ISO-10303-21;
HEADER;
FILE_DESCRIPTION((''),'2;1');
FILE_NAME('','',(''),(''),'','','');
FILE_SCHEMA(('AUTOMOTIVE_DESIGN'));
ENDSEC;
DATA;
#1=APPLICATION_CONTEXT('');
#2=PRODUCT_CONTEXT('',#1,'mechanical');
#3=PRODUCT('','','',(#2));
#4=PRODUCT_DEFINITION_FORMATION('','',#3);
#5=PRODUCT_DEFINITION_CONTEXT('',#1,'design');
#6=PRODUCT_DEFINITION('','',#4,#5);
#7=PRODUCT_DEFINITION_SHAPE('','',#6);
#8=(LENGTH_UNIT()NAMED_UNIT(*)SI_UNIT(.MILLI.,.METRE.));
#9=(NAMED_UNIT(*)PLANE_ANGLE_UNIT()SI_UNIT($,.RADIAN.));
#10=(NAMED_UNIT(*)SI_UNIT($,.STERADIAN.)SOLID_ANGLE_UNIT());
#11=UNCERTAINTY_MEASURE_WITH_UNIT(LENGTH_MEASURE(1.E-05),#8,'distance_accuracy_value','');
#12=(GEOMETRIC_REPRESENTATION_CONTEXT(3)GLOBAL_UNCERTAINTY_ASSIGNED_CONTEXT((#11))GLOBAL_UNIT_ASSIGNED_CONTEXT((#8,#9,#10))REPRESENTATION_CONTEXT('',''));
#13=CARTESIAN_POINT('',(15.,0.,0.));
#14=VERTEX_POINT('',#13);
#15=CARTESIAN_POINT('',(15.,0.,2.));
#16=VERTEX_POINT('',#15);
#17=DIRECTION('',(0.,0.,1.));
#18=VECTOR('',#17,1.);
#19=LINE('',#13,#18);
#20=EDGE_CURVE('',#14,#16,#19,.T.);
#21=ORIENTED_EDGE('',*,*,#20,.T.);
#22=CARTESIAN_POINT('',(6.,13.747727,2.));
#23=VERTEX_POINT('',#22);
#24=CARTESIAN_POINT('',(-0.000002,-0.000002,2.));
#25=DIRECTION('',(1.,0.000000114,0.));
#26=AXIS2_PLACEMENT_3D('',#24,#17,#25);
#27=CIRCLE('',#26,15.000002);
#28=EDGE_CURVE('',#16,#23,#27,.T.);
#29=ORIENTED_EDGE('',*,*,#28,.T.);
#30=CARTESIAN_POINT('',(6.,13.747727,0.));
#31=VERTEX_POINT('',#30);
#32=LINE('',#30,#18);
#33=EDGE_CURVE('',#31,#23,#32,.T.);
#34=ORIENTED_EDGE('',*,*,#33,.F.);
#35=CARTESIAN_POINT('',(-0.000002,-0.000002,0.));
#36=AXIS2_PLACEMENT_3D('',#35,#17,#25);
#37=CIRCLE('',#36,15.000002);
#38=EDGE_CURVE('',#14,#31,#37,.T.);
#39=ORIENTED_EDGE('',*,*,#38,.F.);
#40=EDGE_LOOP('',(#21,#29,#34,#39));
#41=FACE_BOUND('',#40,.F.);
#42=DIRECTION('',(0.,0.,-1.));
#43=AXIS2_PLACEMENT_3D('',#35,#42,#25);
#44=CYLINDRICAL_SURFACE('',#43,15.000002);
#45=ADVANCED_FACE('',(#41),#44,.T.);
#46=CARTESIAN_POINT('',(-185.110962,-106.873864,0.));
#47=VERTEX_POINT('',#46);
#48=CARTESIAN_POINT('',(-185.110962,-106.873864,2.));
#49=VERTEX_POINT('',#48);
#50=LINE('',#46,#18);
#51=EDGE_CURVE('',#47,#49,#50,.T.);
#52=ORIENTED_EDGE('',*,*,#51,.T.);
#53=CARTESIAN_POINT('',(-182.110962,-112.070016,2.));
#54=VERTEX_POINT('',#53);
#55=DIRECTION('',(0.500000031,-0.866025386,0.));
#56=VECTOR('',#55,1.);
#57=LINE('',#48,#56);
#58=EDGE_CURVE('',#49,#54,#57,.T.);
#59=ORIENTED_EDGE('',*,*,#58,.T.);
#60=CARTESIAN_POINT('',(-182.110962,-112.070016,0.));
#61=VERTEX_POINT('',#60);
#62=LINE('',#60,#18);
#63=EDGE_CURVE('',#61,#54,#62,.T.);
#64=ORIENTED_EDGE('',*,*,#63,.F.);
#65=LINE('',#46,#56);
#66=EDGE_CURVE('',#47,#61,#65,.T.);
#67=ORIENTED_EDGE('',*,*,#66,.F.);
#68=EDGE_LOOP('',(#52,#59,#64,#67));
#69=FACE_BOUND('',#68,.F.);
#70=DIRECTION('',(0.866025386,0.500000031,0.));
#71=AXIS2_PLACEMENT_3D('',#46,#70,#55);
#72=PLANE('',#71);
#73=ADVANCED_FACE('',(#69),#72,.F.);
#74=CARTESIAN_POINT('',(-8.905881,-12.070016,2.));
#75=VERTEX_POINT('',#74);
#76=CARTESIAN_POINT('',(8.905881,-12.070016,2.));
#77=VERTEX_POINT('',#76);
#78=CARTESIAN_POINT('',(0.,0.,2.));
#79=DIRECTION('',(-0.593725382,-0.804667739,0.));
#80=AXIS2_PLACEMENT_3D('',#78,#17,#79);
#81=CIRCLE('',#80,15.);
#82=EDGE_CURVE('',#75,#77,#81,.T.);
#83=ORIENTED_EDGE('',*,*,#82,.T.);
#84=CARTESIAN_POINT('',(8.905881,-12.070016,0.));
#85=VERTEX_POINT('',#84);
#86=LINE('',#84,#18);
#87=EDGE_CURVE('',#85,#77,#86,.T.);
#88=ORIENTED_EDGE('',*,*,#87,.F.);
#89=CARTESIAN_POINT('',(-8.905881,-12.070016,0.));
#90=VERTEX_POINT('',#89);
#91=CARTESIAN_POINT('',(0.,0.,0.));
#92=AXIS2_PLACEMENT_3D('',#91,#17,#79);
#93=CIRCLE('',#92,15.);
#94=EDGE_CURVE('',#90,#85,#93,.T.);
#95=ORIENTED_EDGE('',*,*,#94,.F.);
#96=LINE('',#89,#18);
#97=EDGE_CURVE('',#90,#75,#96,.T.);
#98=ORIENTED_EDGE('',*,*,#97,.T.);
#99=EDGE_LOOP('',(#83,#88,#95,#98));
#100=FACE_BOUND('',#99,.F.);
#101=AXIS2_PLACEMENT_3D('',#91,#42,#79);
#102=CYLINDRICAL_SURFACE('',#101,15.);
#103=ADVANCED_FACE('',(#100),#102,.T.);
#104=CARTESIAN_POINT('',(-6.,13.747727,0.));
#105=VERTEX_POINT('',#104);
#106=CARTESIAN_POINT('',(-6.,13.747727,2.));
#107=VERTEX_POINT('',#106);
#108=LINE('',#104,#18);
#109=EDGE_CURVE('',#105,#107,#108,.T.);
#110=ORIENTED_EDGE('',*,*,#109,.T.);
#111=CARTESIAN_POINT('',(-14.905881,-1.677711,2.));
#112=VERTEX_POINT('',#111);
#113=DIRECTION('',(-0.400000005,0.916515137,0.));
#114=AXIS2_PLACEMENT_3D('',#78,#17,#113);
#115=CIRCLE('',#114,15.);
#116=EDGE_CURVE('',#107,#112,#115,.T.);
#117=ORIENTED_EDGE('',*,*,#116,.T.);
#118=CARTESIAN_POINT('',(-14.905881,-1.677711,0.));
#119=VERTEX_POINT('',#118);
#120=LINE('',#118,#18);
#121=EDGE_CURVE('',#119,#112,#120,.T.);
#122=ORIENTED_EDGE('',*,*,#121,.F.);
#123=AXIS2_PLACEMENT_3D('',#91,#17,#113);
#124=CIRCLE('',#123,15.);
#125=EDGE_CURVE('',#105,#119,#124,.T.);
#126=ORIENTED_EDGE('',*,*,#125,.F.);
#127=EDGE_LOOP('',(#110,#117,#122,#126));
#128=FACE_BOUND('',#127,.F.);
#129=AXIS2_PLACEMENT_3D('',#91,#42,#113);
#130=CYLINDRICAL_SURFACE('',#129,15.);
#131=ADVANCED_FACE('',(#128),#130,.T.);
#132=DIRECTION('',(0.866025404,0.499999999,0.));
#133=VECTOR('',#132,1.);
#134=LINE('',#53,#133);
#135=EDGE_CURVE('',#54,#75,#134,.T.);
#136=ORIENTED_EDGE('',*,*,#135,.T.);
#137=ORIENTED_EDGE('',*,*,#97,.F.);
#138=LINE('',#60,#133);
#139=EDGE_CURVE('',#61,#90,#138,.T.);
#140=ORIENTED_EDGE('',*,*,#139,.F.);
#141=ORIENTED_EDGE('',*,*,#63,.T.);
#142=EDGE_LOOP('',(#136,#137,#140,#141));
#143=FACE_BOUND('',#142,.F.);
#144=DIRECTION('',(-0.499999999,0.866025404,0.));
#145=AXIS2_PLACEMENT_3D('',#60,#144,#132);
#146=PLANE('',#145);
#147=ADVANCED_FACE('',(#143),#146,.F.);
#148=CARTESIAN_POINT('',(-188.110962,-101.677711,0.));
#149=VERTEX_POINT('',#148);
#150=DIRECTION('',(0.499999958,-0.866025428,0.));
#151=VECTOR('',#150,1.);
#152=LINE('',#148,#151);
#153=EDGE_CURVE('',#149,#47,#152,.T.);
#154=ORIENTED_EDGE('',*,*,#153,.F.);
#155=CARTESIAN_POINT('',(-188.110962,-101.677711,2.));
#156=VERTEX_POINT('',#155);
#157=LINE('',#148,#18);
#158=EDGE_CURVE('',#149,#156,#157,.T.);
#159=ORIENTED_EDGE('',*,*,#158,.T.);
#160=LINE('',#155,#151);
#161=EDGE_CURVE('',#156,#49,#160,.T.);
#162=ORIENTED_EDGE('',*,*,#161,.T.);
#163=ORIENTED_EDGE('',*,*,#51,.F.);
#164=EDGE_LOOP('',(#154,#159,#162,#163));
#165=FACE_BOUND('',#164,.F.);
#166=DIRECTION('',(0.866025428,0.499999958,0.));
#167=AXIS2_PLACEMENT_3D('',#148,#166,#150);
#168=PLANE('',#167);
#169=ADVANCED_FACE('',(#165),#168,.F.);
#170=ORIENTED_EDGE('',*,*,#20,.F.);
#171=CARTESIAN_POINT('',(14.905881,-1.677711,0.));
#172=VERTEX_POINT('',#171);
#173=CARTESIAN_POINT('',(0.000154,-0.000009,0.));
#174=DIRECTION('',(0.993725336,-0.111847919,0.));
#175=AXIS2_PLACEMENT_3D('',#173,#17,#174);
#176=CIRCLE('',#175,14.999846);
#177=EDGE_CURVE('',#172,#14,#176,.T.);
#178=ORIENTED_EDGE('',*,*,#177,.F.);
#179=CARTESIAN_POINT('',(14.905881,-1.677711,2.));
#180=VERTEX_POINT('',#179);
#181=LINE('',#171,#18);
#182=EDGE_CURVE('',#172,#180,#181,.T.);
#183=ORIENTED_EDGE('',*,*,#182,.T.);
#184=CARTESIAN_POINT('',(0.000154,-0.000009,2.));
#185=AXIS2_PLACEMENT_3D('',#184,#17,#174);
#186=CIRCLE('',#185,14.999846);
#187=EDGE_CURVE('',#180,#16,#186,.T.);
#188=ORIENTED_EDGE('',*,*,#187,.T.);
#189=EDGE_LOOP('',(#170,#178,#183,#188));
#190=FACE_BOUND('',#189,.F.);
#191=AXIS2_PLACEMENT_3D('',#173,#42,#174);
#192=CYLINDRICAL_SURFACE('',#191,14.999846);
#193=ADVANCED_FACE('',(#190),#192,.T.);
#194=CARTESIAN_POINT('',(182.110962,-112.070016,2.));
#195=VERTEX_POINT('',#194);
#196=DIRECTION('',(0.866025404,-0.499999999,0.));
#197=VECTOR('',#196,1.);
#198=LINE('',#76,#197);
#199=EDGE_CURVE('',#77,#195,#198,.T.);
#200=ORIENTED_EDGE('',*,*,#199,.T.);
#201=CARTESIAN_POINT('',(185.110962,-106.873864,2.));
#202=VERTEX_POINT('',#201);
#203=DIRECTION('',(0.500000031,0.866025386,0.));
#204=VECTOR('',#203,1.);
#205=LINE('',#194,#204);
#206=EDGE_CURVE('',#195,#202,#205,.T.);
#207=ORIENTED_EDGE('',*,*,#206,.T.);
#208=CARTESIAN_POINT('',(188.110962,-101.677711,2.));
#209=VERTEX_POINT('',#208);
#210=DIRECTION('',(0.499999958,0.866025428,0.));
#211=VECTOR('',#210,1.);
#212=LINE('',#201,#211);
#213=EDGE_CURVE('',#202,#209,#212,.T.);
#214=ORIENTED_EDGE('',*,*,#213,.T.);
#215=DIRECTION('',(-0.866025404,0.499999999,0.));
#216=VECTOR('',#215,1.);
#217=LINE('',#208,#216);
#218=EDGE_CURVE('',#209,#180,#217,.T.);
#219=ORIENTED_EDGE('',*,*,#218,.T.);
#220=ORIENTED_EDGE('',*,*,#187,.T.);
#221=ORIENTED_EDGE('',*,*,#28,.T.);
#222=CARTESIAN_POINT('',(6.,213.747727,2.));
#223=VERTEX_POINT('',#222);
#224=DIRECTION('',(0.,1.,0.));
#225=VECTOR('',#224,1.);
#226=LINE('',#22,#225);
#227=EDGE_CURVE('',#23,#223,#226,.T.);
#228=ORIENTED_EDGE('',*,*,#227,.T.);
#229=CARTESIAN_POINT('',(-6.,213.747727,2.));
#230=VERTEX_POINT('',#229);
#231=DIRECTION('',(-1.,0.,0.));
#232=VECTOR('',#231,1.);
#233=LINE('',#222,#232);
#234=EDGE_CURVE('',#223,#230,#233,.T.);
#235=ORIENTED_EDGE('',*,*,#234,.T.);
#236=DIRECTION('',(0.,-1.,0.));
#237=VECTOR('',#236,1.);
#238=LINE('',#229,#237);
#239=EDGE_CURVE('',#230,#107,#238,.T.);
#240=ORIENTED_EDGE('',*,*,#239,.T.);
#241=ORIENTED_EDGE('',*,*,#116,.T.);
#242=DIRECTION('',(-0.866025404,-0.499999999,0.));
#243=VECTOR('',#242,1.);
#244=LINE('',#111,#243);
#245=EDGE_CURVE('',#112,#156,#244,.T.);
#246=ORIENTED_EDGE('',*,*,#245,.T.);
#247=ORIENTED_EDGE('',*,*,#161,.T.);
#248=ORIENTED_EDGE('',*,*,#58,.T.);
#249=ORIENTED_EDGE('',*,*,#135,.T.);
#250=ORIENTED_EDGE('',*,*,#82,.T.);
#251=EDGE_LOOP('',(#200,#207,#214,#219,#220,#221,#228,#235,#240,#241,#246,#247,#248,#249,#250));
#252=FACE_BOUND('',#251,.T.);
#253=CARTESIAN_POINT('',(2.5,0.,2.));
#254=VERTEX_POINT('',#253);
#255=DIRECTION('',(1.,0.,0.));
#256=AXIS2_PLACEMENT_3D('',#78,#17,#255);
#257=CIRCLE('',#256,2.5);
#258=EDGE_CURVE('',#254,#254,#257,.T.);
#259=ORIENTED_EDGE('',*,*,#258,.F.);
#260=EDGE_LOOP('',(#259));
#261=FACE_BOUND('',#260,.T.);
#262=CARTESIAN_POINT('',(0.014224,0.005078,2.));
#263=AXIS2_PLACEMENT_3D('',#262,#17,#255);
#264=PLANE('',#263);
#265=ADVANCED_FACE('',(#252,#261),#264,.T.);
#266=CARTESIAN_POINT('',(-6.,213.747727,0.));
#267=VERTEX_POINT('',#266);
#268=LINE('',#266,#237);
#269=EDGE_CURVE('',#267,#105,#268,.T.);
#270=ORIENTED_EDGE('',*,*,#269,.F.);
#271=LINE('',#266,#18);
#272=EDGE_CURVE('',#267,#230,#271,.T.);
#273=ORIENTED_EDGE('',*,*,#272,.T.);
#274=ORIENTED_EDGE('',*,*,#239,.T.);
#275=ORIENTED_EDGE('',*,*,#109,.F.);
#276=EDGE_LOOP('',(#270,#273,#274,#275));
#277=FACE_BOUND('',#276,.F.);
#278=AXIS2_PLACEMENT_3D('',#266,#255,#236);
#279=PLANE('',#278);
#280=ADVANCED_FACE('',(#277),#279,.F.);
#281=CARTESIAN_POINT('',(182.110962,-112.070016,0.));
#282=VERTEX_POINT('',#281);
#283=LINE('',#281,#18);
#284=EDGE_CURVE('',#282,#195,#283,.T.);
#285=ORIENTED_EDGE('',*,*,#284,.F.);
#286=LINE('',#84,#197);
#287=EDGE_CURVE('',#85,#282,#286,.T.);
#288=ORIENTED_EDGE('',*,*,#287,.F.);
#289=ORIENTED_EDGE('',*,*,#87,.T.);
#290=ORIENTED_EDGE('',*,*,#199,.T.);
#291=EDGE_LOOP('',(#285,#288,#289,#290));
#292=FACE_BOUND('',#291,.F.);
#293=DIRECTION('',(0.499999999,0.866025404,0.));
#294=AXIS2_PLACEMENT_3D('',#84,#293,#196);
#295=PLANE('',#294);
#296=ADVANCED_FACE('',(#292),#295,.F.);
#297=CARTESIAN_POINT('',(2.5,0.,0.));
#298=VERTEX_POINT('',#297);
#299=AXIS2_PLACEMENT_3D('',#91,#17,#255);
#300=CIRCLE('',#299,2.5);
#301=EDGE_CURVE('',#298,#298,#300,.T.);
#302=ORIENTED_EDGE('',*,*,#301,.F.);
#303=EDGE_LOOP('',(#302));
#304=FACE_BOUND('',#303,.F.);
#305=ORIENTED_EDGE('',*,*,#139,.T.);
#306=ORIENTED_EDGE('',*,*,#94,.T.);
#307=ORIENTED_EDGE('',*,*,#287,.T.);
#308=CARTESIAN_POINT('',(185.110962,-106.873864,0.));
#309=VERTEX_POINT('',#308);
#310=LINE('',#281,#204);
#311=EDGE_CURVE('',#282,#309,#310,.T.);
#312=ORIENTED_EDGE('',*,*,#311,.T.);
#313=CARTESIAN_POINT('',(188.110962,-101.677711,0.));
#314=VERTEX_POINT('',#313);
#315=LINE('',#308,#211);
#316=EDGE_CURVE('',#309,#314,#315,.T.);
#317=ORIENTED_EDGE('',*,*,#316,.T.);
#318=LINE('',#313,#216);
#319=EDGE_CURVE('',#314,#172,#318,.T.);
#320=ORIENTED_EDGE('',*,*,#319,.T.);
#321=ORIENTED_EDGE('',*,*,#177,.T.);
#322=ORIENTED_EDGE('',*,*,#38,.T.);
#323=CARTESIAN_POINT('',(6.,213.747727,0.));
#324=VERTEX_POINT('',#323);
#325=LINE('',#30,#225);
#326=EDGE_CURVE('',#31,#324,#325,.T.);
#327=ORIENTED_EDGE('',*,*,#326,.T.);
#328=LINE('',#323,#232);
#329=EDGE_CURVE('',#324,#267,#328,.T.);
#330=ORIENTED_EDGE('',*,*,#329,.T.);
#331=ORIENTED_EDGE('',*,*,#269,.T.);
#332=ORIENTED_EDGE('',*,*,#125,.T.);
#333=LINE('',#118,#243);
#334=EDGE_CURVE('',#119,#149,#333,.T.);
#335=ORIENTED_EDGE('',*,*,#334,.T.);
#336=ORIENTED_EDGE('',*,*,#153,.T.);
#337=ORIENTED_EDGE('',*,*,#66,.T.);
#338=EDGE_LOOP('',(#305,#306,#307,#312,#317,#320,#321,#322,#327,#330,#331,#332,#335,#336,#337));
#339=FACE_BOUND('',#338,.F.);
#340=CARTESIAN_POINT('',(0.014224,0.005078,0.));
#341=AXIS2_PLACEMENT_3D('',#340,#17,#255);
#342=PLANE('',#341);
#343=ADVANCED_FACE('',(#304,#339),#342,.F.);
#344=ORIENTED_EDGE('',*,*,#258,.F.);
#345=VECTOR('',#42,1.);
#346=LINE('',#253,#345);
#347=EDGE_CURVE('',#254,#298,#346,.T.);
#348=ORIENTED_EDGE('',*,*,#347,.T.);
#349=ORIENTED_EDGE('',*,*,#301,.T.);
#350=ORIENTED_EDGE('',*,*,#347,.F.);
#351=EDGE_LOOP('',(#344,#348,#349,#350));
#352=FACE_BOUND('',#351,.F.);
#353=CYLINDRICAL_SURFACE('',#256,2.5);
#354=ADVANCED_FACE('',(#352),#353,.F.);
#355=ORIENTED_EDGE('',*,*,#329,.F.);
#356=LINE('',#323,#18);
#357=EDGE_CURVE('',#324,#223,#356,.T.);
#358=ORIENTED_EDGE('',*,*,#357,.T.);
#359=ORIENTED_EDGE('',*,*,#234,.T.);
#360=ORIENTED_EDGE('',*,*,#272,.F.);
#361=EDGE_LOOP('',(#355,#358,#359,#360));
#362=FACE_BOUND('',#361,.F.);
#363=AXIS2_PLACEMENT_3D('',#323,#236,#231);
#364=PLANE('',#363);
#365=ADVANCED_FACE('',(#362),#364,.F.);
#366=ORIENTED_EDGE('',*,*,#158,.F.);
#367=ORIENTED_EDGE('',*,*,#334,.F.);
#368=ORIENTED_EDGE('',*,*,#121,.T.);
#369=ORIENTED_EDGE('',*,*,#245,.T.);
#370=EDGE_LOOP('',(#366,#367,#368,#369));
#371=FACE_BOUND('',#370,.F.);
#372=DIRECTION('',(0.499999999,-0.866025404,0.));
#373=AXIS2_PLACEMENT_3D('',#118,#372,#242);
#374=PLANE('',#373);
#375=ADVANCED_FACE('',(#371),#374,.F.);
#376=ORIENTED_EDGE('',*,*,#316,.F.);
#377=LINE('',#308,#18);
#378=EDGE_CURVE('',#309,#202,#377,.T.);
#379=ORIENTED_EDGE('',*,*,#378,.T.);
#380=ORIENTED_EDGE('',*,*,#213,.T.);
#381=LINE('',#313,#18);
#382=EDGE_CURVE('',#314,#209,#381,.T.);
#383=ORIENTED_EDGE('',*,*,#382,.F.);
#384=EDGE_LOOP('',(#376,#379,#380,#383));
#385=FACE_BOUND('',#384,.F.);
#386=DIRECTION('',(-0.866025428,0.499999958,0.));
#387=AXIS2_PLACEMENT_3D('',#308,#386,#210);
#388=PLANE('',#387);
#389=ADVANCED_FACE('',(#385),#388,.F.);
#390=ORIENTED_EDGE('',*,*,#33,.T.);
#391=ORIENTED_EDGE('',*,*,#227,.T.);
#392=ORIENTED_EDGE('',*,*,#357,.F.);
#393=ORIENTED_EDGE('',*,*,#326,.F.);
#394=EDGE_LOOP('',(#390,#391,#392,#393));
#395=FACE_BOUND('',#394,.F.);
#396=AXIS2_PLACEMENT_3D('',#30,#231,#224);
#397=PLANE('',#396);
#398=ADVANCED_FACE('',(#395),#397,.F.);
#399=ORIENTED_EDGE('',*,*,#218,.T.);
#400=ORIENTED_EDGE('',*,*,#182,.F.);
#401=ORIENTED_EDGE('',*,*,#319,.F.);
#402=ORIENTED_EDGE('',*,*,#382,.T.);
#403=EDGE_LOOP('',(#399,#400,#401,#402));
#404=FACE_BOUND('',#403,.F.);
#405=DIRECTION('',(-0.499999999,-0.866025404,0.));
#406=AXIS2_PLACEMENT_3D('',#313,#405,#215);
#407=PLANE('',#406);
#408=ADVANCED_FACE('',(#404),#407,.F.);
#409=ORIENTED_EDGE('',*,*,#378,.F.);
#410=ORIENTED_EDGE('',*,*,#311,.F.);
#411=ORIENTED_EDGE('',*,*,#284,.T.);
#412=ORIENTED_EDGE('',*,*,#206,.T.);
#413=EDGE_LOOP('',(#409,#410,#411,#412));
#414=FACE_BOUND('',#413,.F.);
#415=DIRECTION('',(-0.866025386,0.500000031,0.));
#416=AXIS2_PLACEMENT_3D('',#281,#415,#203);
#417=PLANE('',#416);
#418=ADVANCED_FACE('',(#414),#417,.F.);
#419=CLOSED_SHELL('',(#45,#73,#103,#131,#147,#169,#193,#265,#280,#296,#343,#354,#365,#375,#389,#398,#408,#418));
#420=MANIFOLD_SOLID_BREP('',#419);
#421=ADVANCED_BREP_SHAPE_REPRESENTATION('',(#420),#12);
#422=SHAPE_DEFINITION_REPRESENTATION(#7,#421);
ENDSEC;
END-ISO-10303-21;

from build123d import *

# Parameters (mm, degrees)
F1_DEPTH = 2
F2_R     = 2.5
F3_DEPTH = 25


with BuildPart() as f1:
    # F0 (on Top) → F1 (new body)
    with BuildSketch(Plane.XY):
        with BuildLine():
            ThreePointArc((14.905881, -1.677711), (14.976452, -0.840175), (15, 0))
            ThreePointArc((15, 0), (12.5499, 8.215838), (6, 13.747727))
            ThreePointArc((6, 13.747727), (0, 15), (-6, 13.747727))
            ThreePointArc((-6, 13.747727), (-12.990381, 7.5), (-14.905881, -1.677711))
            ThreePointArc((-14.905881, -1.677711), (-12.990381, -7.5), (-8.905881, -12.070016))
            ThreePointArc((-8.905881, -12.070016), (0, -15), (8.905881, -12.070016))
            ThreePointArc((8.905881, -12.070016), (12.990381, -7.5), (14.905881, -1.677711))
        make_face()
        with BuildLine():
            ThreePointArc((-8.905881, -12.070016), (-12.990381, -7.5), (-14.905881, -1.677711))
            Line((-14.905881, -1.677711), (-188.110962, -101.677711))
            Line((-188.110962, -101.677711), (-185.110962, -106.873864))
            Line((-185.110962, -106.873864), (-182.110962, -112.070016))
            Line((-182.110962, -112.070016), (-8.905881, -12.070016))
        make_face()
        with BuildLine():
            ThreePointArc((-6, 13.747727), (0, 15), (6, 13.747727))
            Line((6, 13.747727), (6, 213.747727))
            Line((6, 213.747727), (0, 213.747727))
            Line((0, 213.747727), (-6, 213.747727))
            Line((-6, 213.747727), (-6, 13.747727))
        make_face()
        with BuildLine():
            Line((188.110962, -101.677711), (14.905881, -1.677711))
            ThreePointArc((14.905881, -1.677711), (12.990381, -7.5), (8.905881, -12.070016))
            Line((8.905881, -12.070016), (182.110962, -112.070016))
            Line((182.110962, -112.070016), (185.110962, -106.873864))
            Line((185.110962, -106.873864), (188.110962, -101.677711))
        make_face()
    extrude(amount=F1_DEPTH)

    # F2 (on face) → F3 (cut)
    with BuildSketch(Plane.XY.offset(2)):
        Circle(F2_R)
    extrude(amount=-F3_DEPTH, mode=Mode.SUBTRACT)


solid = f1.part
